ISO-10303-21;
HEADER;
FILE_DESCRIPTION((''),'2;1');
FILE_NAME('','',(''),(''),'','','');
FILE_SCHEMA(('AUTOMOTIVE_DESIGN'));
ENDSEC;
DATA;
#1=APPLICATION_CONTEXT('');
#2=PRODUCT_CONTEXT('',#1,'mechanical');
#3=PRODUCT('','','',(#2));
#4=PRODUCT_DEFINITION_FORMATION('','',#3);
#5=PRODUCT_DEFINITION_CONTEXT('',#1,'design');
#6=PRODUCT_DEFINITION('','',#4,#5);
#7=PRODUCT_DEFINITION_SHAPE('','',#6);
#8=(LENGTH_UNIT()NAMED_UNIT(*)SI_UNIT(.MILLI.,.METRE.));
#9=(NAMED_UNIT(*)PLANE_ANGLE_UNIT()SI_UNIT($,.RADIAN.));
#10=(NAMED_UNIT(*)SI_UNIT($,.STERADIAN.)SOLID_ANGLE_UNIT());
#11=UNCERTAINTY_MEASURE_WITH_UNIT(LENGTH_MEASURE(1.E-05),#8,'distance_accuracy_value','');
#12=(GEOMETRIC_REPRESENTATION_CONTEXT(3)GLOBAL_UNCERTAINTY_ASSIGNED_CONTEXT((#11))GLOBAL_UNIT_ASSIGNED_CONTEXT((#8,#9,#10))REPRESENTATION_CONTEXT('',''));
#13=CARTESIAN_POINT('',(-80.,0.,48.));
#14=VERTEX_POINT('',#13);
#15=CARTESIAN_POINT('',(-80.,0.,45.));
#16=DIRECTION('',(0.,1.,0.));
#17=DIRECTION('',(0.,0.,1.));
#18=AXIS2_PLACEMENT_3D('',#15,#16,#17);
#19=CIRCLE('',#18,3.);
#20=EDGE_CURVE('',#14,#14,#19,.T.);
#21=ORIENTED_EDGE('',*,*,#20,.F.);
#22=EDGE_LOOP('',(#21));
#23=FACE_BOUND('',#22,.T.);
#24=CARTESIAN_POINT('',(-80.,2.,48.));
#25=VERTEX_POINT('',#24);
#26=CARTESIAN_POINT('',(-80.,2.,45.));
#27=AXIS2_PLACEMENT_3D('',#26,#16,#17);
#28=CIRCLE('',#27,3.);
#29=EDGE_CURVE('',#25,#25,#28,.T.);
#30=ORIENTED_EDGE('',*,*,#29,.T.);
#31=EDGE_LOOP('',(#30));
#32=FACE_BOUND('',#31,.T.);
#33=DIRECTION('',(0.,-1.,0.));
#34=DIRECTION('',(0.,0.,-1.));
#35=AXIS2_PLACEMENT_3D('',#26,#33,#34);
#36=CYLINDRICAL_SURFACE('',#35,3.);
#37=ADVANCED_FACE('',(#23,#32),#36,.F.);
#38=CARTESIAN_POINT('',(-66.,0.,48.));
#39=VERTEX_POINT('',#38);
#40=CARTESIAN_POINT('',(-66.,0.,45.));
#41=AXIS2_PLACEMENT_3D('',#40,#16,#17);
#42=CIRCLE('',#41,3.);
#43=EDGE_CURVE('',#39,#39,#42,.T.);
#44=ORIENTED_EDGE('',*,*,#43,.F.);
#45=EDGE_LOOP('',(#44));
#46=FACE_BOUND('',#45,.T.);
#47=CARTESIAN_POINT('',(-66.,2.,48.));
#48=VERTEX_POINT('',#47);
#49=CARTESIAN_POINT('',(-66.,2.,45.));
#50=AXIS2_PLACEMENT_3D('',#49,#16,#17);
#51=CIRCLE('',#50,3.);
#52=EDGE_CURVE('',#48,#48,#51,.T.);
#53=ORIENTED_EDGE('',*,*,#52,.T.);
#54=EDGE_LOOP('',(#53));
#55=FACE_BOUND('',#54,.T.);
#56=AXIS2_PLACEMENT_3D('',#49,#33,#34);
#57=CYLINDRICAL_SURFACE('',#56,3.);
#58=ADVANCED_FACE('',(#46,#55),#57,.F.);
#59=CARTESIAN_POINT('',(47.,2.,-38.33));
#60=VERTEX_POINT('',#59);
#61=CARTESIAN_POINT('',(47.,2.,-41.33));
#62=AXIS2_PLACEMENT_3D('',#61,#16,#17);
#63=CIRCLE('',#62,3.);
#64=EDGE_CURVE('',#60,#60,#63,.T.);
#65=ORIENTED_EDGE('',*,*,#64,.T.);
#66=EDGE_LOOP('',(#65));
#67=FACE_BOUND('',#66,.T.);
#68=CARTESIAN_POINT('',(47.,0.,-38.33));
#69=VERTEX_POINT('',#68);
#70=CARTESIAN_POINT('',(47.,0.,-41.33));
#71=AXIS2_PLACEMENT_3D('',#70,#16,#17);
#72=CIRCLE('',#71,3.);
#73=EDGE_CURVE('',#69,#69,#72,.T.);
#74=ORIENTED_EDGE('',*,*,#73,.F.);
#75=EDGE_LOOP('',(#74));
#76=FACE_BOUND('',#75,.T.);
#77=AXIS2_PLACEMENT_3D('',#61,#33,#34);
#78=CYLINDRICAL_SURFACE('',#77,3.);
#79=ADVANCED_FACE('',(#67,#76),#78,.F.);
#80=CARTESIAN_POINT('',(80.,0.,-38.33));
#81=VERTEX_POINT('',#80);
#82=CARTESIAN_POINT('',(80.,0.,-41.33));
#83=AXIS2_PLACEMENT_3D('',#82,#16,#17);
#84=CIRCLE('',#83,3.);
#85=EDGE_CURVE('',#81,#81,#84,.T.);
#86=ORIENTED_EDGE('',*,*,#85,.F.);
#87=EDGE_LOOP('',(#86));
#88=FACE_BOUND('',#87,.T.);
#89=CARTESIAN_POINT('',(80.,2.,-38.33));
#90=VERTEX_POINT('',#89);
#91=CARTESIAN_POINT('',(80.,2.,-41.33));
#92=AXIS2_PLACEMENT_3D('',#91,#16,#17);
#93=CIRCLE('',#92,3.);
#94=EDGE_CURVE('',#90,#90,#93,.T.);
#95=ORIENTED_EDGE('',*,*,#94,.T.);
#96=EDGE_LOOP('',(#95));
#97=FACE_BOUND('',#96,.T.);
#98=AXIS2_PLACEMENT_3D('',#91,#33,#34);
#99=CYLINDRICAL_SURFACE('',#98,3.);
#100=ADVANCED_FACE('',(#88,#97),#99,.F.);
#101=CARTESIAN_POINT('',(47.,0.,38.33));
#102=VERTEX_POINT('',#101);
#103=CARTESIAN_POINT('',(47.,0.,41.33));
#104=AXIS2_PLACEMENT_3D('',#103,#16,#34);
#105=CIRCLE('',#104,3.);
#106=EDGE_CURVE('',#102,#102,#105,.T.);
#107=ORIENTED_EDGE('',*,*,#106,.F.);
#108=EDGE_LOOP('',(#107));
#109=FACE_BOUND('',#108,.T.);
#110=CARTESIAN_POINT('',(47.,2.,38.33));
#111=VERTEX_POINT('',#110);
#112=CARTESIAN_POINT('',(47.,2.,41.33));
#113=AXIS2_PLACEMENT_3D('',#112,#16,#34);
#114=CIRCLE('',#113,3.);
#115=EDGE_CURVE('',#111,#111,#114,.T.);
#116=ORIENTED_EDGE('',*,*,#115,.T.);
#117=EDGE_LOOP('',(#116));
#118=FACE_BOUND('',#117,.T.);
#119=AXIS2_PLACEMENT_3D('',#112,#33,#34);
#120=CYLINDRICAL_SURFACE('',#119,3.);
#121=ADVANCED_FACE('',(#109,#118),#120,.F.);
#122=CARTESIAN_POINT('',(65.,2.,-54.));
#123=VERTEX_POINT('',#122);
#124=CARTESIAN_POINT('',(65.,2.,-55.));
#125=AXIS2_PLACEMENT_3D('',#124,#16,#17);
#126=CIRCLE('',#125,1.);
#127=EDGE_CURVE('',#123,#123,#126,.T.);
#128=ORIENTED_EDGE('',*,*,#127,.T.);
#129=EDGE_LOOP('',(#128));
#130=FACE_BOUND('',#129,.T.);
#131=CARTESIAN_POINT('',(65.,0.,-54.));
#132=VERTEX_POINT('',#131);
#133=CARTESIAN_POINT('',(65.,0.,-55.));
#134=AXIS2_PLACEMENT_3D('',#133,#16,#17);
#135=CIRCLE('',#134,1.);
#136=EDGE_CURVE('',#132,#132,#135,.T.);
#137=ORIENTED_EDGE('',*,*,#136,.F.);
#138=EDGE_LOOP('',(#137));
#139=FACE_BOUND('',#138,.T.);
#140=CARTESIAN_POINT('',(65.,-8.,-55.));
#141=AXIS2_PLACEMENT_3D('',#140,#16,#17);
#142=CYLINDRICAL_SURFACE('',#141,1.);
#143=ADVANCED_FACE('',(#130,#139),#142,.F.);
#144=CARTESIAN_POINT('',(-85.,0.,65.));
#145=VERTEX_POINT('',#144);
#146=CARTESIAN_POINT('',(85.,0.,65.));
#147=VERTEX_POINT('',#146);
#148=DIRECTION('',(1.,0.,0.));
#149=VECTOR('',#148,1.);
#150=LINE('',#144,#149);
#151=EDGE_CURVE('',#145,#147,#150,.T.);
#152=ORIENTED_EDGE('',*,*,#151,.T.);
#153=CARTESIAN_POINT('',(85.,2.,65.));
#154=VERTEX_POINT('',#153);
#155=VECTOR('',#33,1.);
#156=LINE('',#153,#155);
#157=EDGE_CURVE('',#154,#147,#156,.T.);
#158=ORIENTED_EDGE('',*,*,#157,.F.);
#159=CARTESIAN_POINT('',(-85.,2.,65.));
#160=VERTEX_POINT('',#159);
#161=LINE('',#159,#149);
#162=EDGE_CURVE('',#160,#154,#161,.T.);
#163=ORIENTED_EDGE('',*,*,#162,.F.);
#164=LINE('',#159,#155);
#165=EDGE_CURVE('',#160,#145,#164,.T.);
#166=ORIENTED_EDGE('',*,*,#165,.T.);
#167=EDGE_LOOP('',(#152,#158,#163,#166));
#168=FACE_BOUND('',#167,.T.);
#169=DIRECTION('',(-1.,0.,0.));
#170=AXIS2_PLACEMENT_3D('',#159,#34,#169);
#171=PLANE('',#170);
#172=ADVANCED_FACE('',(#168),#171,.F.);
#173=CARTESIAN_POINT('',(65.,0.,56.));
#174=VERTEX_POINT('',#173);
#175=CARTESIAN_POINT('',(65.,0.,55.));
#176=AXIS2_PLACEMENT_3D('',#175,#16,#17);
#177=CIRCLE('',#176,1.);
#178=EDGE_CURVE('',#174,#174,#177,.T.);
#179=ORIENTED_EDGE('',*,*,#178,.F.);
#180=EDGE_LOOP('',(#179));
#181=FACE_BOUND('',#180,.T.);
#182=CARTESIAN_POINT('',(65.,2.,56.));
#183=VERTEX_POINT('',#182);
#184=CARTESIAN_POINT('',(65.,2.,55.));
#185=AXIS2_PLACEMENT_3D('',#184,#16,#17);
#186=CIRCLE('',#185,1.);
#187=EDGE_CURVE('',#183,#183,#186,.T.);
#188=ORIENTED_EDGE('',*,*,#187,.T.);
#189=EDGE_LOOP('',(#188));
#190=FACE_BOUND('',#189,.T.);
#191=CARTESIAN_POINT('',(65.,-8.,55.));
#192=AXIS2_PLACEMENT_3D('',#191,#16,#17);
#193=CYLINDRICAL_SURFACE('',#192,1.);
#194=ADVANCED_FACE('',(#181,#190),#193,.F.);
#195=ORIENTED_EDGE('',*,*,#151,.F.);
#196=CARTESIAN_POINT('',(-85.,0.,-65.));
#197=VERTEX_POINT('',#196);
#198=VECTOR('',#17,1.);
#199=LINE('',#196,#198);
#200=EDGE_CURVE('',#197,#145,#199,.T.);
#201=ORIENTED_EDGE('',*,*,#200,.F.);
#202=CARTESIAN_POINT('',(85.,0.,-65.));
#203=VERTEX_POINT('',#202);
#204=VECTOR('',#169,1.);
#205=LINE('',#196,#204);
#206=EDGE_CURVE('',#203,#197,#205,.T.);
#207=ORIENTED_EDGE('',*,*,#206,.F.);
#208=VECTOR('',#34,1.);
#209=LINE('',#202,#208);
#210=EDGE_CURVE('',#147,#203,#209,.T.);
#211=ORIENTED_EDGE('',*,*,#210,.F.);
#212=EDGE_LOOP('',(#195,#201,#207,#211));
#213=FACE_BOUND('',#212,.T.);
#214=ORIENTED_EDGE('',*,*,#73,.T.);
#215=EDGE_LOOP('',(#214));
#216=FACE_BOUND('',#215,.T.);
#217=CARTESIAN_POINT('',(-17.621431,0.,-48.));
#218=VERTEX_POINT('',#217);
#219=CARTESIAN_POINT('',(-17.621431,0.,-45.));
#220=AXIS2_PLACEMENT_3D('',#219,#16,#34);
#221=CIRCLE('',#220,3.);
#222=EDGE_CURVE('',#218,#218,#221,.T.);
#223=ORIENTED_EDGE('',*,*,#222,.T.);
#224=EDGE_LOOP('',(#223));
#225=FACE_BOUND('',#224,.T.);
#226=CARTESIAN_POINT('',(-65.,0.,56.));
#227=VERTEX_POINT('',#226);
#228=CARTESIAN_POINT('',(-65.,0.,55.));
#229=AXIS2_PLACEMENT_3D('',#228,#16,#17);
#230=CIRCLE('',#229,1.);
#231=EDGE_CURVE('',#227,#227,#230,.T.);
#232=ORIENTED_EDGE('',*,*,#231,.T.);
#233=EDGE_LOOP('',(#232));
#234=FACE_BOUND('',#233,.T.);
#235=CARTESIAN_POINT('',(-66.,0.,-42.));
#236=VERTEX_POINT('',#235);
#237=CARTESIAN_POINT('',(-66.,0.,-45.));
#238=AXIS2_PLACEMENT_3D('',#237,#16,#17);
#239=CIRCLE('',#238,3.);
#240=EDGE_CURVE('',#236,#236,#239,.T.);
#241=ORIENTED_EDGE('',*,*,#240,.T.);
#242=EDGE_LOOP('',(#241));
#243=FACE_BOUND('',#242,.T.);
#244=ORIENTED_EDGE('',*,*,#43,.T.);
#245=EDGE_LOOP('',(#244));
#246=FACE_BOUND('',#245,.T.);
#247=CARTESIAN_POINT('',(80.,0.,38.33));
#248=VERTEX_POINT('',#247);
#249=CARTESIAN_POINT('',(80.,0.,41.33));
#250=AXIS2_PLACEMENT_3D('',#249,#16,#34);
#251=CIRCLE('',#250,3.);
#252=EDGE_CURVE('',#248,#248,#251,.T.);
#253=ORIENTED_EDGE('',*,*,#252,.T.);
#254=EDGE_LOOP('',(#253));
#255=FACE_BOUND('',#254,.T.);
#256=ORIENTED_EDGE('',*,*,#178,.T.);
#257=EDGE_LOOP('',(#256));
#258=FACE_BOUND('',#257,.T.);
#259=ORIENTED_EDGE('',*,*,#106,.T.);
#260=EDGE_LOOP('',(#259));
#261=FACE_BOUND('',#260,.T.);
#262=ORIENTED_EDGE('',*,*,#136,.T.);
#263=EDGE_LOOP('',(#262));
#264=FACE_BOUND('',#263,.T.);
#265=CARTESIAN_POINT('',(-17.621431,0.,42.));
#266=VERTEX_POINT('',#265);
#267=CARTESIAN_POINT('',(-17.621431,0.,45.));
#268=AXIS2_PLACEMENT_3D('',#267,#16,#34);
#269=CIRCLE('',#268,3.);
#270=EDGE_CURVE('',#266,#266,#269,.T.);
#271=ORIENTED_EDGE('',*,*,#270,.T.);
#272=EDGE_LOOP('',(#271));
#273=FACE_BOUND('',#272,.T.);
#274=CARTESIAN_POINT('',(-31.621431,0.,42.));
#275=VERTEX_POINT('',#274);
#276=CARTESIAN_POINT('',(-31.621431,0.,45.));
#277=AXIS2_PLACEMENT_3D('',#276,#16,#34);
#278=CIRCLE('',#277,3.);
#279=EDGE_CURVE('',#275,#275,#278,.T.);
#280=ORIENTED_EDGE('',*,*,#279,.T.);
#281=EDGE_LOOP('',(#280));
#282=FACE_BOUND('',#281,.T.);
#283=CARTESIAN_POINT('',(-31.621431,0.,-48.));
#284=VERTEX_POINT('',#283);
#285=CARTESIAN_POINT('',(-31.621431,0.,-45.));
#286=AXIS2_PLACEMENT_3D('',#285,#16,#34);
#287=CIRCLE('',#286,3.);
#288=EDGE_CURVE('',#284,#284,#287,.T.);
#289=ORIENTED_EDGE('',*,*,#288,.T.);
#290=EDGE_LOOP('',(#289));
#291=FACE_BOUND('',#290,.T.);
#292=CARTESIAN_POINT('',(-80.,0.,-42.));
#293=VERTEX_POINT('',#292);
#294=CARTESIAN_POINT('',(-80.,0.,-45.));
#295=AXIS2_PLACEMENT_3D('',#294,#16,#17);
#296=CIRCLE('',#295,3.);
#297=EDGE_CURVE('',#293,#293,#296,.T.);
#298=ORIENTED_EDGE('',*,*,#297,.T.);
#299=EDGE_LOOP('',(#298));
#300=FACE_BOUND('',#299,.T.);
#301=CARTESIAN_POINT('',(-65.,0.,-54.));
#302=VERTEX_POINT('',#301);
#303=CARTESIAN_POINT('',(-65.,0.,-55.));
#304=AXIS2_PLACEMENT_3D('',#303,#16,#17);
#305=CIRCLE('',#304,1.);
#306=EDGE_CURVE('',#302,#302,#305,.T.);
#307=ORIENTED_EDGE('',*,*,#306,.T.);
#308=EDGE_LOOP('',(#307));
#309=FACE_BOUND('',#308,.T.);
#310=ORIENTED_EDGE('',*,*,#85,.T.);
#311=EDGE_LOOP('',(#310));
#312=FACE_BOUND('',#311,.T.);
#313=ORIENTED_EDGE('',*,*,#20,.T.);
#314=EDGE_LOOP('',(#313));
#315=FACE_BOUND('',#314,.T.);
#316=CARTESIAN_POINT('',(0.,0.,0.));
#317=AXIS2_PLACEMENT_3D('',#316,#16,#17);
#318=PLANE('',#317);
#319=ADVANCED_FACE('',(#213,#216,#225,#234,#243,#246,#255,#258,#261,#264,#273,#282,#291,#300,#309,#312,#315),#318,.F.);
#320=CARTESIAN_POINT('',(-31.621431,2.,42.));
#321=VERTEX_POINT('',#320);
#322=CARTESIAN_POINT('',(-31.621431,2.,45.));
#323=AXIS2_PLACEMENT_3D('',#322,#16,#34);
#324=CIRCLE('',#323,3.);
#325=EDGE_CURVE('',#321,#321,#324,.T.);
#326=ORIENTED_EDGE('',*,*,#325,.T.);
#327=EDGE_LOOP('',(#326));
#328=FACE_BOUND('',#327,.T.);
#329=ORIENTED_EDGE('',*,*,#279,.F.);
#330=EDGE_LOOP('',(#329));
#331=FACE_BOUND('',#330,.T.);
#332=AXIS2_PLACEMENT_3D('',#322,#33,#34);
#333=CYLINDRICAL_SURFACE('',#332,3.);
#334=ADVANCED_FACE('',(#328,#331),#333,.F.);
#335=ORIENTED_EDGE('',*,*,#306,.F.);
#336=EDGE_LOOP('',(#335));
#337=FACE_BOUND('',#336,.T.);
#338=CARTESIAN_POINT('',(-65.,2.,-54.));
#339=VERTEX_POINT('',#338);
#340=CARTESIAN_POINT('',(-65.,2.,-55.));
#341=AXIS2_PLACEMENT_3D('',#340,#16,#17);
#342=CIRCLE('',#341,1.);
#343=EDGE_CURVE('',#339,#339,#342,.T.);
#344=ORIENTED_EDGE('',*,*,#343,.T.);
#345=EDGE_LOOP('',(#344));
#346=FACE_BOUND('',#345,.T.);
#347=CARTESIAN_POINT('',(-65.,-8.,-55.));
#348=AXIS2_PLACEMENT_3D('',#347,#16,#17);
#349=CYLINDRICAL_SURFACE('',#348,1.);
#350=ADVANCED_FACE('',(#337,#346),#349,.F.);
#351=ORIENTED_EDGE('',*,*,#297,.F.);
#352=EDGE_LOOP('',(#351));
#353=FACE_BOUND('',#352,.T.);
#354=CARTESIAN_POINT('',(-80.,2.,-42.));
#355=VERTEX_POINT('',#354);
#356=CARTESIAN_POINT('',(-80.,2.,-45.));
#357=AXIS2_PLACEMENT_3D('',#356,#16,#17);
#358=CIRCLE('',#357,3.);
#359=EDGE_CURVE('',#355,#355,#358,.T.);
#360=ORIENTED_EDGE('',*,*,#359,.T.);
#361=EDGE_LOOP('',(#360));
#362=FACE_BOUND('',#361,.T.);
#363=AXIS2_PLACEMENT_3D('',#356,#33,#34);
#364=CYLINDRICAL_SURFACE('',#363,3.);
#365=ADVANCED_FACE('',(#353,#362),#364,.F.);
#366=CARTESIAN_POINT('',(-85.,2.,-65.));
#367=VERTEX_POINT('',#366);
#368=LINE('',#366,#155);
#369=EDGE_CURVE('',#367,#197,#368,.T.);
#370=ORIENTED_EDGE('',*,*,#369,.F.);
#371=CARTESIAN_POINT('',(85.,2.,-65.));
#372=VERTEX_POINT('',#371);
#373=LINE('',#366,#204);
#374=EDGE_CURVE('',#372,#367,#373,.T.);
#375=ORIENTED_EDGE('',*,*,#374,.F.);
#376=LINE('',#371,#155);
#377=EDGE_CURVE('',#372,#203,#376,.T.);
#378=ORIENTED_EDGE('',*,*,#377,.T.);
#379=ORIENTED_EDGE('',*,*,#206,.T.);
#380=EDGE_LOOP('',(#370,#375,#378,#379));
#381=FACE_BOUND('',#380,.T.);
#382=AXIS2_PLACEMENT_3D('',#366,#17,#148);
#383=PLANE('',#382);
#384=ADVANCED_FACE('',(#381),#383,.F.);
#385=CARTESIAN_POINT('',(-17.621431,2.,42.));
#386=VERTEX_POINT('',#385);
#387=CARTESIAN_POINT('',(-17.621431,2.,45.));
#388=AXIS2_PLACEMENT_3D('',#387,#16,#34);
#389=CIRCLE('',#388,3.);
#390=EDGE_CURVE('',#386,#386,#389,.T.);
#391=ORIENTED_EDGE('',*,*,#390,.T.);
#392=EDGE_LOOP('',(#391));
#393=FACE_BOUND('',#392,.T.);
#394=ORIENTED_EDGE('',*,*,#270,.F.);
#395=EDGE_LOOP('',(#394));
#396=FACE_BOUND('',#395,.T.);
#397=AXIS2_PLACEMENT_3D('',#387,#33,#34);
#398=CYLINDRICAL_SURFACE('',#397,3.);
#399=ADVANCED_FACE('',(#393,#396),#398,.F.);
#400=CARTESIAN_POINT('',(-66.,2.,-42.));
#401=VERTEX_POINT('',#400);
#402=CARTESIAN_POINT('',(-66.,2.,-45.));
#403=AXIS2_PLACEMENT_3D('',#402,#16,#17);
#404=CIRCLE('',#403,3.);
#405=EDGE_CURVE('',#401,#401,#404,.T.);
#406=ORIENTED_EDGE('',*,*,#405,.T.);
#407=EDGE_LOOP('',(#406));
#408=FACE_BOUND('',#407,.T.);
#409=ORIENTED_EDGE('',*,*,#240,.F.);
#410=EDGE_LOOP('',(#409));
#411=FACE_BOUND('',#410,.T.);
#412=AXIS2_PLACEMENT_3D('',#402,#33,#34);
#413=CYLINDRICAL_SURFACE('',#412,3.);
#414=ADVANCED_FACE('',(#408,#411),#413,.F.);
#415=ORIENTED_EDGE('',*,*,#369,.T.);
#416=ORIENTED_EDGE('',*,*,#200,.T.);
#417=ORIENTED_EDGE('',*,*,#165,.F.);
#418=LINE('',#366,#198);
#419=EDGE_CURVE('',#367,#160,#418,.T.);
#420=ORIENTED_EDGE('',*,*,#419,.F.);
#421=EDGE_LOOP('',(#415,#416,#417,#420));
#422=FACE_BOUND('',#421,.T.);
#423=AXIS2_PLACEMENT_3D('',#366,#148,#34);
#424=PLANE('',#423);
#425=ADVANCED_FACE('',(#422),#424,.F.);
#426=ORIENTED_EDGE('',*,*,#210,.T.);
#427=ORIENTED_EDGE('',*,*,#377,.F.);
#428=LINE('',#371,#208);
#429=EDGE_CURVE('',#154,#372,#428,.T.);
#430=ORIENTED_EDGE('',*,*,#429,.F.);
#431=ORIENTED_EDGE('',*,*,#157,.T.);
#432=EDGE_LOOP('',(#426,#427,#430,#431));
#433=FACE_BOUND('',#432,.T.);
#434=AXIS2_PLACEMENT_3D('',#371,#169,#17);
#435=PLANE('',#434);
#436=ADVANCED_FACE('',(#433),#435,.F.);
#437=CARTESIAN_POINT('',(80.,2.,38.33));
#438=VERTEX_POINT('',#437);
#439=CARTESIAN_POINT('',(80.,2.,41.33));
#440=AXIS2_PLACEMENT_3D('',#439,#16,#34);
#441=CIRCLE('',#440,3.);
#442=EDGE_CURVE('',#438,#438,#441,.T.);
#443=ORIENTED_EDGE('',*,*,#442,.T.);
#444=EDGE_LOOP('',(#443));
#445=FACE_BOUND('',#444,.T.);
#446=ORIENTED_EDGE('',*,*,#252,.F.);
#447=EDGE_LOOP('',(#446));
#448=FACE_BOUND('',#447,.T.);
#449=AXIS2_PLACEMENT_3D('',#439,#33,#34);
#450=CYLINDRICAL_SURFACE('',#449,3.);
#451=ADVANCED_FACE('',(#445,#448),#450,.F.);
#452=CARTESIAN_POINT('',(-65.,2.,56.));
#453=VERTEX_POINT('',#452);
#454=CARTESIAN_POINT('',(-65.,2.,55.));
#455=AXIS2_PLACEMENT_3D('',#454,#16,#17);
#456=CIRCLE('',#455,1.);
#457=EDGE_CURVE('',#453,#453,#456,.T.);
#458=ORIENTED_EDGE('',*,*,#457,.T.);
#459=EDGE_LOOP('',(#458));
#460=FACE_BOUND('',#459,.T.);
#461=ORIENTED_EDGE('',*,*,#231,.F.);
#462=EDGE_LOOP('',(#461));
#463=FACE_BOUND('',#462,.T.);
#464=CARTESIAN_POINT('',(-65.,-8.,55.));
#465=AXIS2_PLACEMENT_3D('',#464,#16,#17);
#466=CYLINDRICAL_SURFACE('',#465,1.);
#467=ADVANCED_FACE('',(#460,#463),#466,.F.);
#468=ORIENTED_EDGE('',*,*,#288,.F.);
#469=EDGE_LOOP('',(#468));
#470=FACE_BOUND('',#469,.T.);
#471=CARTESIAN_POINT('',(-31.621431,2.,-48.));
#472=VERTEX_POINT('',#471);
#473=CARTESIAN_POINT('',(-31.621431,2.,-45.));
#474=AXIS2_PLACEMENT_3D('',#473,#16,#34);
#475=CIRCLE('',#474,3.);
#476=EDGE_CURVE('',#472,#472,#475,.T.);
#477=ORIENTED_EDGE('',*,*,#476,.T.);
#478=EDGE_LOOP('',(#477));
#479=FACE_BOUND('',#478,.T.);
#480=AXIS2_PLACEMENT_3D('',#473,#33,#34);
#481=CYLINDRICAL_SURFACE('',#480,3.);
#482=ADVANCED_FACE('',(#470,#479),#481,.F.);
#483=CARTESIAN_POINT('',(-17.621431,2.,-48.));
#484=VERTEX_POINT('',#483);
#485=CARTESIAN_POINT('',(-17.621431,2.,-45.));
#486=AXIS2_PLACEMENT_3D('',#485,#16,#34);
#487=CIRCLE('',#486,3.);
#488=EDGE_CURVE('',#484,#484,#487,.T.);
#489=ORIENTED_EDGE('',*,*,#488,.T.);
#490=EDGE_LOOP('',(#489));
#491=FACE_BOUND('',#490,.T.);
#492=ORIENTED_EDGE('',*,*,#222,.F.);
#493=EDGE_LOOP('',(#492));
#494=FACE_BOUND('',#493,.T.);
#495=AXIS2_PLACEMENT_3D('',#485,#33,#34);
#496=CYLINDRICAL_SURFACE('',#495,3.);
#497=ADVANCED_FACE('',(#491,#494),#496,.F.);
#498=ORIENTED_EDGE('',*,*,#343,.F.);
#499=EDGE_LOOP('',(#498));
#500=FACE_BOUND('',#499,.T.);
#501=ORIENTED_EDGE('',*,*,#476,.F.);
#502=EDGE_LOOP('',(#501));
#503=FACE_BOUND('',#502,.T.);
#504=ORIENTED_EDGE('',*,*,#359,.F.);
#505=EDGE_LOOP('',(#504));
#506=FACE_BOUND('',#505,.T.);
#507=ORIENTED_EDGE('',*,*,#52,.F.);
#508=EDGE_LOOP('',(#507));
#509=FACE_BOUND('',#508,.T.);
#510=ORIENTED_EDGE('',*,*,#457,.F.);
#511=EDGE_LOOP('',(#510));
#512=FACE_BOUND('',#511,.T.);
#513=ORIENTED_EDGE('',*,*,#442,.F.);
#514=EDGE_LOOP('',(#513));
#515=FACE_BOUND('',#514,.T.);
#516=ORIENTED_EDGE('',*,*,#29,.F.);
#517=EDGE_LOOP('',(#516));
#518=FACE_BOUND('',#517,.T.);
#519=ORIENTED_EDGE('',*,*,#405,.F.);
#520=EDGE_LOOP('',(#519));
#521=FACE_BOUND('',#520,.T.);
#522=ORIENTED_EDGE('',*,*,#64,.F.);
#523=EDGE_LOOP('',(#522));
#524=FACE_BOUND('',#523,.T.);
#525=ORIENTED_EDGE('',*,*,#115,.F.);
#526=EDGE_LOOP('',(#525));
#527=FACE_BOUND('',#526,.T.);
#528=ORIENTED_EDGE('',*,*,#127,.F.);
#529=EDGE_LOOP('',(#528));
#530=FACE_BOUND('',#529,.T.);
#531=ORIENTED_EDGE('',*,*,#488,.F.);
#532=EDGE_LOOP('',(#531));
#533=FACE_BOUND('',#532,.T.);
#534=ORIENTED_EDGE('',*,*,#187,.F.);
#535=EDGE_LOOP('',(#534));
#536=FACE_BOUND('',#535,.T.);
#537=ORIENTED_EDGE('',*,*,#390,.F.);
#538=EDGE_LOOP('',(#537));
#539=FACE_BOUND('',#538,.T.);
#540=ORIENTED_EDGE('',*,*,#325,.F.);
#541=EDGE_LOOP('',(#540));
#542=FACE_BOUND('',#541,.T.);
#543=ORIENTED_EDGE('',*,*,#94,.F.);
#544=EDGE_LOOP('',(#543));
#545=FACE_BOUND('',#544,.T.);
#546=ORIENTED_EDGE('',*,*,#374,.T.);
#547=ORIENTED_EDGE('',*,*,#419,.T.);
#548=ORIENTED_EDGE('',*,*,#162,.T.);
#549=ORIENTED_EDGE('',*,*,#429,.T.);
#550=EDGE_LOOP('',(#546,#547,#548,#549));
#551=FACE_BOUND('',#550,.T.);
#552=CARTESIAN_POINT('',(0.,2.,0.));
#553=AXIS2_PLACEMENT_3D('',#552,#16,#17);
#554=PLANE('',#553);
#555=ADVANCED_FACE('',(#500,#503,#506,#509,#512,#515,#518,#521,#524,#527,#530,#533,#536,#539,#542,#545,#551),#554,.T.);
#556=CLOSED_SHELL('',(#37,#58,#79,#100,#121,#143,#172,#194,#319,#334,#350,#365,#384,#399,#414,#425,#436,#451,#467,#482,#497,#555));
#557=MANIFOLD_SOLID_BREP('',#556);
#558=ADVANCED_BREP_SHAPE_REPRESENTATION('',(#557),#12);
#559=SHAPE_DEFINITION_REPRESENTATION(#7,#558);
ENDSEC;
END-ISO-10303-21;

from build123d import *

# Parameters (mm, degrees)
SKETCH1_W           = 170
SKETCH1_H           = 130
SKETCH1_R           = 3
BOSS_EXTRUDE1_DEPTH = 2
SKETCH2_R           = 1
CUT_EXTRUDE1_DEPTH  = 10


with BuildPart() as part:
    # Sketch1 → Boss-Extrude1 (new body)
    with BuildSketch(Plane(origin=(0, 0, 0), x_dir=(1, 0, 0), z_dir=(0, 1, 0))):
        Rectangle(SKETCH1_W, SKETCH1_H)
        with Locations((-80, 45)):
            Circle(SKETCH1_R, mode=Mode.SUBTRACT)
        with Locations((-66, 45)):
            Circle(SKETCH1_R, mode=Mode.SUBTRACT)
        with Locations((-66, -45)):
            Circle(SKETCH1_R, mode=Mode.SUBTRACT)
        with Locations((-80, -45)):
            Circle(SKETCH1_R, mode=Mode.SUBTRACT)
        with Locations((-31.62143128, -45)):
            Circle(SKETCH1_R, mode=Mode.SUBTRACT)
        with Locations((-17.62143128, -45)):
            Circle(SKETCH1_R, mode=Mode.SUBTRACT)
        with Locations((-17.62143128, 45)):
            Circle(SKETCH1_R, mode=Mode.SUBTRACT)
        with Locations((-31.62143128, 45)):
            Circle(SKETCH1_R, mode=Mode.SUBTRACT)
        with Locations((80, 41.33)):
            Circle(SKETCH1_R, mode=Mode.SUBTRACT)
        with Locations((47, 41.33)):
            Circle(SKETCH1_R, mode=Mode.SUBTRACT)
        with Locations((80, -41.33)):
            Circle(SKETCH1_R, mode=Mode.SUBTRACT)
        with Locations((47, -41.33)):
            Circle(SKETCH1_R, mode=Mode.SUBTRACT)
    extrude(amount=BOSS_EXTRUDE1_DEPTH)

    # Sketch2 → Cut-Extrude1 (cut)
    with BuildSketch(Plane(origin=(0, 2, 0), x_dir=(1, 0, 0), z_dir=(0, 1, 0))):
        with Locations((-65, -55)):
            Circle(SKETCH2_R)
        with Locations((-65, 55)):
            Circle(SKETCH2_R)
        with Locations((65, 55)):
            Circle(SKETCH2_R)
        with Locations((65, -55)):
            Circle(SKETCH2_R)
    extrude(amount=-CUT_EXTRUDE1_DEPTH, mode=Mode.SUBTRACT)


solid = part.part
